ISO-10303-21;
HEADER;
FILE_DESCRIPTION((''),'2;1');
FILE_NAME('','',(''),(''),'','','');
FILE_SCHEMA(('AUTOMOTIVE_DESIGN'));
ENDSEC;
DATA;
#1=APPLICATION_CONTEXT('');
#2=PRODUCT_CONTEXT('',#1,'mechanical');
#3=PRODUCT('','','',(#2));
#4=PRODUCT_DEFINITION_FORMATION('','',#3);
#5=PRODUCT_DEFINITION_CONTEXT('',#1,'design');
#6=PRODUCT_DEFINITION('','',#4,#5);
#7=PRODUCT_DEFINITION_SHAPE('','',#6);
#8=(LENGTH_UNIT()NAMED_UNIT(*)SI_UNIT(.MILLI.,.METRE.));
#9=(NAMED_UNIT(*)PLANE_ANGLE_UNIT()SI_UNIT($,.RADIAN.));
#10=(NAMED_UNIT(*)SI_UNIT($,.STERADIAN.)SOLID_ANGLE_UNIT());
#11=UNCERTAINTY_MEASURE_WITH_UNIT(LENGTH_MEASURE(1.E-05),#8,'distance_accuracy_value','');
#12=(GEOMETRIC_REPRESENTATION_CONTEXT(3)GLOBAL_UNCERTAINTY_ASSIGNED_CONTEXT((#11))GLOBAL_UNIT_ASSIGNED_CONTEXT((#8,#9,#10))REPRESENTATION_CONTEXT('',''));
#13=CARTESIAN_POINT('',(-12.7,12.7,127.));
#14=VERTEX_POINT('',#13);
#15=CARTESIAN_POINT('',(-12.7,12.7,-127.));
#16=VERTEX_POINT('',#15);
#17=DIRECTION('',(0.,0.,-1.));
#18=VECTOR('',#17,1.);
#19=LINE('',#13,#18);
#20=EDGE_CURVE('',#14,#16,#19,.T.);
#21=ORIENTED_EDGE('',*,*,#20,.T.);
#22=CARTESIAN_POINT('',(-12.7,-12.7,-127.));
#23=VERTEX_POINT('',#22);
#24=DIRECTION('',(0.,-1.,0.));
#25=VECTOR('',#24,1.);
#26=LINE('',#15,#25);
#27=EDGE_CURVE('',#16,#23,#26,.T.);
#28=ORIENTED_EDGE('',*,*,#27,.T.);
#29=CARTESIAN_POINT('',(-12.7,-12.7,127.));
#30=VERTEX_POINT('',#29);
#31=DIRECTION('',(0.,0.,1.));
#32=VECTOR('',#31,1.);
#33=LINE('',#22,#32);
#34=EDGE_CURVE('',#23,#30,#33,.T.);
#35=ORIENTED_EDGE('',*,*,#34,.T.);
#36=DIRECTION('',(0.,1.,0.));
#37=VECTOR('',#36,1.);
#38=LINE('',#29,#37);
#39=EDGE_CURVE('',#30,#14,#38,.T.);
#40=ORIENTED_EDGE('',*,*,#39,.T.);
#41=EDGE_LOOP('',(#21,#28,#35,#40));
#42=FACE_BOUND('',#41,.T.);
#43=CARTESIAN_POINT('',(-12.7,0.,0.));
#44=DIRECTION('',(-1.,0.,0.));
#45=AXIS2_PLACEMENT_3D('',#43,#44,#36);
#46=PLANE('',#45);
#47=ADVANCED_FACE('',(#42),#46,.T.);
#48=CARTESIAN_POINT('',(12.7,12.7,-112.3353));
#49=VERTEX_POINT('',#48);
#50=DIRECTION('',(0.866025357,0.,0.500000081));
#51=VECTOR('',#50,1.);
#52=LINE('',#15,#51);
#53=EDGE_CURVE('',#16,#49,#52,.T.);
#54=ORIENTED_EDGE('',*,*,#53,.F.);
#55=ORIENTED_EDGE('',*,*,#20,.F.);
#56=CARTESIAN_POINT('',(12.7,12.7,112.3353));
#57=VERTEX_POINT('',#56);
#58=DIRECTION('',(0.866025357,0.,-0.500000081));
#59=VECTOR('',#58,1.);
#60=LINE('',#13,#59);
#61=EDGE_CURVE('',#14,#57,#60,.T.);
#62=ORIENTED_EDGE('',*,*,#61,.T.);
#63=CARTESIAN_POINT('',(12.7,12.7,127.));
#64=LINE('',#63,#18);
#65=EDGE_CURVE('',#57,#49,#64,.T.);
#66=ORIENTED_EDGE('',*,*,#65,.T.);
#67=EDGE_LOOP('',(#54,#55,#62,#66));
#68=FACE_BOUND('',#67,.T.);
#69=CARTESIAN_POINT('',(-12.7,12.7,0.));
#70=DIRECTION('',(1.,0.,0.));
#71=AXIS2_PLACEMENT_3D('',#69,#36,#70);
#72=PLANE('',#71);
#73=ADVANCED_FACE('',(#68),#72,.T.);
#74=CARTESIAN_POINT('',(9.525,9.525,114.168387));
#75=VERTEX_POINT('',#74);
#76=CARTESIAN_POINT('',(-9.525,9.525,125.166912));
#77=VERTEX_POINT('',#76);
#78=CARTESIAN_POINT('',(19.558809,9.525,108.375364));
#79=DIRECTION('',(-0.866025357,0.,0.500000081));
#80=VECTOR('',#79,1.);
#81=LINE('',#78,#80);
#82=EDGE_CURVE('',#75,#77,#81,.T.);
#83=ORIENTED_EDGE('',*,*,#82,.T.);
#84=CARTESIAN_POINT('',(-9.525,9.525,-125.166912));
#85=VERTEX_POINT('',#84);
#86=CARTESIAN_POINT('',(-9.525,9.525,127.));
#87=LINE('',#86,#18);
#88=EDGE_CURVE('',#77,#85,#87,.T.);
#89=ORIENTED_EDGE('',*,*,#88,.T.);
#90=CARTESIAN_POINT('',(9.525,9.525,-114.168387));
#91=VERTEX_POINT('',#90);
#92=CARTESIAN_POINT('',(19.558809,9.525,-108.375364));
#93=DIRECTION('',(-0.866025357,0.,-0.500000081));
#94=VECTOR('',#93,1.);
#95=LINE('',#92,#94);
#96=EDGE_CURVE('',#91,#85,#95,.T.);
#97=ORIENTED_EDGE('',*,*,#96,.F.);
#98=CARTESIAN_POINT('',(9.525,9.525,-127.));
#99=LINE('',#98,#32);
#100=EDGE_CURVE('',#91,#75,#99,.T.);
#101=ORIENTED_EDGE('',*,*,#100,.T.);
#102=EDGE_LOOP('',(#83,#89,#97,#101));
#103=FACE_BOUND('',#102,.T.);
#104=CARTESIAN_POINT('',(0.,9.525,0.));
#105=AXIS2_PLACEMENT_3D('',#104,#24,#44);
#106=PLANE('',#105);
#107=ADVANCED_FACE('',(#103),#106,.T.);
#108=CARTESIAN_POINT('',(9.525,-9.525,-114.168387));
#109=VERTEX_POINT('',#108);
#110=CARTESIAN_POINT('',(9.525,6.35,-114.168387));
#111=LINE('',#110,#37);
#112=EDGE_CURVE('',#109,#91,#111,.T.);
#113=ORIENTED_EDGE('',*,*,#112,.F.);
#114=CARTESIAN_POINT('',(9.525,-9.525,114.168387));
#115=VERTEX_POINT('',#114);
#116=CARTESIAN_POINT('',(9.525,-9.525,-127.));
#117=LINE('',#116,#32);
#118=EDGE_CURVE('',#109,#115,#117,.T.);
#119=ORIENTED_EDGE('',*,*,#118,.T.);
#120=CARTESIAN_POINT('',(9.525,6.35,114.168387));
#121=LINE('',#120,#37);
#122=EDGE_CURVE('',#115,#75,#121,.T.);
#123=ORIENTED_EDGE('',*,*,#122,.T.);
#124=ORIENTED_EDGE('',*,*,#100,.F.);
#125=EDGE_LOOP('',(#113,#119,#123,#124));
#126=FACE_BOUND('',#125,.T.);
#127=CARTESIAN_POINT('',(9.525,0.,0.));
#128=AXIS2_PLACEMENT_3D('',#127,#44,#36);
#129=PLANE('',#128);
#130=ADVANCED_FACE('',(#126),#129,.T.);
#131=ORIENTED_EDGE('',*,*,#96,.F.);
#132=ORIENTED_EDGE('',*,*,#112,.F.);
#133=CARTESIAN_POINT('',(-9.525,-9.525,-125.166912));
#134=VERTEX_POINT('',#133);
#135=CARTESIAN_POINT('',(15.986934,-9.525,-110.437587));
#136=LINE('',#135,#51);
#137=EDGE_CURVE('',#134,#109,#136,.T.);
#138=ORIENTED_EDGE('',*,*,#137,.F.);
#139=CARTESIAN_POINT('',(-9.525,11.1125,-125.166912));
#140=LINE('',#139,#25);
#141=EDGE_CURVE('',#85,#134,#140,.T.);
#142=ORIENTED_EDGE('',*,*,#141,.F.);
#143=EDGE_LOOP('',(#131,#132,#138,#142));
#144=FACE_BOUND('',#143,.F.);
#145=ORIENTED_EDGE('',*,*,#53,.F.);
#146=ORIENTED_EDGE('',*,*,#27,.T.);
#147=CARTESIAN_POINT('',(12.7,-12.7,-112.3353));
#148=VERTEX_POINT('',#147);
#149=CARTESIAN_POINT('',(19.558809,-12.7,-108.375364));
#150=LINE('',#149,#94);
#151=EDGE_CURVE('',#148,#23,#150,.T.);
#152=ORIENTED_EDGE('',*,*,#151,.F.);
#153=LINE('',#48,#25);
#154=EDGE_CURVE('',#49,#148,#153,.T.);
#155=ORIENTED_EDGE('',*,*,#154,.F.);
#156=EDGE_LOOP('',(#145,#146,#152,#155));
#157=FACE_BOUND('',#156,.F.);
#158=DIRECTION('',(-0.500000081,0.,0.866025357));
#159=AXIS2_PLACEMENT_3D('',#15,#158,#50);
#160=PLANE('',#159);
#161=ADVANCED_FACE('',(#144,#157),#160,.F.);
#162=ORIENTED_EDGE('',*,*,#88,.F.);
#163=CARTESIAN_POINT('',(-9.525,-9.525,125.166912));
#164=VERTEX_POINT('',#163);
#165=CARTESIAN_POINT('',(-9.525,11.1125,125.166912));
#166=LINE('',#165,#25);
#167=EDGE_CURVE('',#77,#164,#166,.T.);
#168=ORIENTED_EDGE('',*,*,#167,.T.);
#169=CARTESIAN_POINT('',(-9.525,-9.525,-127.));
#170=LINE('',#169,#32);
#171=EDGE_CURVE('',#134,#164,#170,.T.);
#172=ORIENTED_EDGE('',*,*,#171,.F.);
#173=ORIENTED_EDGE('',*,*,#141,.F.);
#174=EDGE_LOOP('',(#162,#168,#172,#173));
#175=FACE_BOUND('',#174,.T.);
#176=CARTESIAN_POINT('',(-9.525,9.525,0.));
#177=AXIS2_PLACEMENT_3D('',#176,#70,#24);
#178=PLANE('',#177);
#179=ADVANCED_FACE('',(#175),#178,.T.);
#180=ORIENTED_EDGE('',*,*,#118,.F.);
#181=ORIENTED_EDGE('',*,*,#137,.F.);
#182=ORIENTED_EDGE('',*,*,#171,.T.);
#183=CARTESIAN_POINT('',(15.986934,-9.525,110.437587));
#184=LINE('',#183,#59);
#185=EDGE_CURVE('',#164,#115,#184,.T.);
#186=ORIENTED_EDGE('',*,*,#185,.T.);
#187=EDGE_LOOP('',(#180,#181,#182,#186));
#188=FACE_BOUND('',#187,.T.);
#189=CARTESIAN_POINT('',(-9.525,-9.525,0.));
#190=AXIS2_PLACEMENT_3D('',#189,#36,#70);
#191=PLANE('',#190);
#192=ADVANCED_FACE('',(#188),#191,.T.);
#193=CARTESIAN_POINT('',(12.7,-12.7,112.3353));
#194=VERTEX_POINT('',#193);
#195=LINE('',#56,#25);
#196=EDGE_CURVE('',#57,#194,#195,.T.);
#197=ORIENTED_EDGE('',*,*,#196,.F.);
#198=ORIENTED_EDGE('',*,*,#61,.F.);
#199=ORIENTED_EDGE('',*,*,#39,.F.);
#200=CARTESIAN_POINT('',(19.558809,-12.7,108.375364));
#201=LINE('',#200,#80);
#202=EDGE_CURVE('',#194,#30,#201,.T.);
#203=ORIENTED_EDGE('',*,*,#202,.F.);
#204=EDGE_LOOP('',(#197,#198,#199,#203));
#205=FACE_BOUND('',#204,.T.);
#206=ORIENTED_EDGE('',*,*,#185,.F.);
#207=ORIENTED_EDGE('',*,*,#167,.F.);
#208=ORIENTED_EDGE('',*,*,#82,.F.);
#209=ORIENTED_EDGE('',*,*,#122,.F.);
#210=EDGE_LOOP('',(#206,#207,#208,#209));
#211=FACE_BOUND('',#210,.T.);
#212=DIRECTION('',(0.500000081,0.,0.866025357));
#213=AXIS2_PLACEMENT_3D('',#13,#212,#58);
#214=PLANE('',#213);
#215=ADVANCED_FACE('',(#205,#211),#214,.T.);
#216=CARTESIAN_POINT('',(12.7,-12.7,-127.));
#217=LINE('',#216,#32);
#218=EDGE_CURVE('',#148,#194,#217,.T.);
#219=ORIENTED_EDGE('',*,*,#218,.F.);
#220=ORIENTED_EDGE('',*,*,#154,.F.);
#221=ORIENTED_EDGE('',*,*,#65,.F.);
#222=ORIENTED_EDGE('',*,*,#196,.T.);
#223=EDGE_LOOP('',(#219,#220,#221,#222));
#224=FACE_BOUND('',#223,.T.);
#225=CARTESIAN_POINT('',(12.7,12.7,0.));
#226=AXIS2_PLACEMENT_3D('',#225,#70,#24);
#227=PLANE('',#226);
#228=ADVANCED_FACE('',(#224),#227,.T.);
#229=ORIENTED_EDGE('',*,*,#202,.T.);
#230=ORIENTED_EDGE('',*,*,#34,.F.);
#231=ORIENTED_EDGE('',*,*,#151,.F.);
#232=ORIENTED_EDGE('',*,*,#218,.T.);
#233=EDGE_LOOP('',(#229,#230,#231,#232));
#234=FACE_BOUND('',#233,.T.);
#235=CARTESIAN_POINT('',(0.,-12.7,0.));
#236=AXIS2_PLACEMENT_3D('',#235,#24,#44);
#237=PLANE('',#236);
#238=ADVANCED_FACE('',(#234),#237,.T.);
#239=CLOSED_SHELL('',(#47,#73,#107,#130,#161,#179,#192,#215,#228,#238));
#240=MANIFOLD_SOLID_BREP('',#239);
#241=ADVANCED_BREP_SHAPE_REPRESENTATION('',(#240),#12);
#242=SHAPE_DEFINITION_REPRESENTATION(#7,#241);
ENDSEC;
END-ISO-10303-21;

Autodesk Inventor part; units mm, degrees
ref_plane "YZ Plane" through (0, 0, 0) normal (1, 0, 0) x (0, 1, 0)
ref_plane "XZ Plane" through (0, 0, 0) normal (0, 1, 0) x (-1, 0, 0)
ref_plane "XY Plane" through (0, 0, 0) normal (0, 0, 1) x (1, 0, 0)
sketch "Sketch1" plane through (0, 0, 0) normal (0, 0, 1) x (1, 0, 0)
  line L0 (-17.78, 0) -> (17.78, 0) projected
  line L1 (0, -17.78) -> (0, 17.78) projected
  line L2 (-12.7, 12.7) -> (12.7, 12.7)
  line L3 (12.7, 12.7) -> (12.7, -12.7)
  line L4 (12.7, -12.7) -> (-12.7, -12.7)
  line L5 (-12.7, -12.7) -> (-12.7, 12.7)
  line L6 (9.525, 9.525) -> (-9.525, 9.525)
  line L7 (-9.525, 9.525) -> (-9.525, -9.525)
  line L8 (-9.525, -9.525) -> (9.525, -9.525)
  line L9 (9.525, -9.525) -> (9.525, 9.525)
  point P0 (0, 0)
  point P1 (-12.7, 0)
  point P2 (0, 12.7)
  dimension "d0" = 25.4
  dimension "d1" = 3.175
extrude "Extrusion1" add sketch "Sketch1" along normal mid plane 254 contours L5 L2 L1 L6 L7 L0 | L0 L7 L8 L1 L4 L5 | L1 L8 L9 L0 L3 L4 | L2 L3 L0 L9 L6 L1
sketch "Sketch3" plane through (-12.7, 12.7, 127) normal (0, 1, 0) x (1, 0, 0)
  line L0 (0, 0) -> (25.4, 0) projected
  line L1 (25.4, 0) -> (25.4, 254) projected
  line L2 (0, 0) -> (25.4, 14.6647)
  line L3 (0, 0) -> (25.4, 0)
  line L4 (25.4, 14.6647) -> (25.4, 0)
  point P0 (12.7, 127)
  dimension "d7" = 30
extrude "Extrusion3" cut sketch "Sketch3" against normal through all
sketch "Sketch4" plane through (-12.7, 12.7, -127) normal (0, 1, 0) x (1, 0, 0)
  line L0 (25.4, -239.3353) -> (25.4, 0) projected
  line L1 (25.4, 0) -> (0, 0) projected
  line L2 (0, 0) -> (25.4, -14.6647)
  line L3 (25.4, 0) -> (25.4, -14.6647)
  line L4 (25.4, 0) -> (0, 0)
  point P0 (12.7, -127)
  dimension "d10" = 30
extrude "Extrusion4" cut sketch "Sketch4" against normal through all
properties part number "tubing_template_0.125" material "Aluminum-6061"
